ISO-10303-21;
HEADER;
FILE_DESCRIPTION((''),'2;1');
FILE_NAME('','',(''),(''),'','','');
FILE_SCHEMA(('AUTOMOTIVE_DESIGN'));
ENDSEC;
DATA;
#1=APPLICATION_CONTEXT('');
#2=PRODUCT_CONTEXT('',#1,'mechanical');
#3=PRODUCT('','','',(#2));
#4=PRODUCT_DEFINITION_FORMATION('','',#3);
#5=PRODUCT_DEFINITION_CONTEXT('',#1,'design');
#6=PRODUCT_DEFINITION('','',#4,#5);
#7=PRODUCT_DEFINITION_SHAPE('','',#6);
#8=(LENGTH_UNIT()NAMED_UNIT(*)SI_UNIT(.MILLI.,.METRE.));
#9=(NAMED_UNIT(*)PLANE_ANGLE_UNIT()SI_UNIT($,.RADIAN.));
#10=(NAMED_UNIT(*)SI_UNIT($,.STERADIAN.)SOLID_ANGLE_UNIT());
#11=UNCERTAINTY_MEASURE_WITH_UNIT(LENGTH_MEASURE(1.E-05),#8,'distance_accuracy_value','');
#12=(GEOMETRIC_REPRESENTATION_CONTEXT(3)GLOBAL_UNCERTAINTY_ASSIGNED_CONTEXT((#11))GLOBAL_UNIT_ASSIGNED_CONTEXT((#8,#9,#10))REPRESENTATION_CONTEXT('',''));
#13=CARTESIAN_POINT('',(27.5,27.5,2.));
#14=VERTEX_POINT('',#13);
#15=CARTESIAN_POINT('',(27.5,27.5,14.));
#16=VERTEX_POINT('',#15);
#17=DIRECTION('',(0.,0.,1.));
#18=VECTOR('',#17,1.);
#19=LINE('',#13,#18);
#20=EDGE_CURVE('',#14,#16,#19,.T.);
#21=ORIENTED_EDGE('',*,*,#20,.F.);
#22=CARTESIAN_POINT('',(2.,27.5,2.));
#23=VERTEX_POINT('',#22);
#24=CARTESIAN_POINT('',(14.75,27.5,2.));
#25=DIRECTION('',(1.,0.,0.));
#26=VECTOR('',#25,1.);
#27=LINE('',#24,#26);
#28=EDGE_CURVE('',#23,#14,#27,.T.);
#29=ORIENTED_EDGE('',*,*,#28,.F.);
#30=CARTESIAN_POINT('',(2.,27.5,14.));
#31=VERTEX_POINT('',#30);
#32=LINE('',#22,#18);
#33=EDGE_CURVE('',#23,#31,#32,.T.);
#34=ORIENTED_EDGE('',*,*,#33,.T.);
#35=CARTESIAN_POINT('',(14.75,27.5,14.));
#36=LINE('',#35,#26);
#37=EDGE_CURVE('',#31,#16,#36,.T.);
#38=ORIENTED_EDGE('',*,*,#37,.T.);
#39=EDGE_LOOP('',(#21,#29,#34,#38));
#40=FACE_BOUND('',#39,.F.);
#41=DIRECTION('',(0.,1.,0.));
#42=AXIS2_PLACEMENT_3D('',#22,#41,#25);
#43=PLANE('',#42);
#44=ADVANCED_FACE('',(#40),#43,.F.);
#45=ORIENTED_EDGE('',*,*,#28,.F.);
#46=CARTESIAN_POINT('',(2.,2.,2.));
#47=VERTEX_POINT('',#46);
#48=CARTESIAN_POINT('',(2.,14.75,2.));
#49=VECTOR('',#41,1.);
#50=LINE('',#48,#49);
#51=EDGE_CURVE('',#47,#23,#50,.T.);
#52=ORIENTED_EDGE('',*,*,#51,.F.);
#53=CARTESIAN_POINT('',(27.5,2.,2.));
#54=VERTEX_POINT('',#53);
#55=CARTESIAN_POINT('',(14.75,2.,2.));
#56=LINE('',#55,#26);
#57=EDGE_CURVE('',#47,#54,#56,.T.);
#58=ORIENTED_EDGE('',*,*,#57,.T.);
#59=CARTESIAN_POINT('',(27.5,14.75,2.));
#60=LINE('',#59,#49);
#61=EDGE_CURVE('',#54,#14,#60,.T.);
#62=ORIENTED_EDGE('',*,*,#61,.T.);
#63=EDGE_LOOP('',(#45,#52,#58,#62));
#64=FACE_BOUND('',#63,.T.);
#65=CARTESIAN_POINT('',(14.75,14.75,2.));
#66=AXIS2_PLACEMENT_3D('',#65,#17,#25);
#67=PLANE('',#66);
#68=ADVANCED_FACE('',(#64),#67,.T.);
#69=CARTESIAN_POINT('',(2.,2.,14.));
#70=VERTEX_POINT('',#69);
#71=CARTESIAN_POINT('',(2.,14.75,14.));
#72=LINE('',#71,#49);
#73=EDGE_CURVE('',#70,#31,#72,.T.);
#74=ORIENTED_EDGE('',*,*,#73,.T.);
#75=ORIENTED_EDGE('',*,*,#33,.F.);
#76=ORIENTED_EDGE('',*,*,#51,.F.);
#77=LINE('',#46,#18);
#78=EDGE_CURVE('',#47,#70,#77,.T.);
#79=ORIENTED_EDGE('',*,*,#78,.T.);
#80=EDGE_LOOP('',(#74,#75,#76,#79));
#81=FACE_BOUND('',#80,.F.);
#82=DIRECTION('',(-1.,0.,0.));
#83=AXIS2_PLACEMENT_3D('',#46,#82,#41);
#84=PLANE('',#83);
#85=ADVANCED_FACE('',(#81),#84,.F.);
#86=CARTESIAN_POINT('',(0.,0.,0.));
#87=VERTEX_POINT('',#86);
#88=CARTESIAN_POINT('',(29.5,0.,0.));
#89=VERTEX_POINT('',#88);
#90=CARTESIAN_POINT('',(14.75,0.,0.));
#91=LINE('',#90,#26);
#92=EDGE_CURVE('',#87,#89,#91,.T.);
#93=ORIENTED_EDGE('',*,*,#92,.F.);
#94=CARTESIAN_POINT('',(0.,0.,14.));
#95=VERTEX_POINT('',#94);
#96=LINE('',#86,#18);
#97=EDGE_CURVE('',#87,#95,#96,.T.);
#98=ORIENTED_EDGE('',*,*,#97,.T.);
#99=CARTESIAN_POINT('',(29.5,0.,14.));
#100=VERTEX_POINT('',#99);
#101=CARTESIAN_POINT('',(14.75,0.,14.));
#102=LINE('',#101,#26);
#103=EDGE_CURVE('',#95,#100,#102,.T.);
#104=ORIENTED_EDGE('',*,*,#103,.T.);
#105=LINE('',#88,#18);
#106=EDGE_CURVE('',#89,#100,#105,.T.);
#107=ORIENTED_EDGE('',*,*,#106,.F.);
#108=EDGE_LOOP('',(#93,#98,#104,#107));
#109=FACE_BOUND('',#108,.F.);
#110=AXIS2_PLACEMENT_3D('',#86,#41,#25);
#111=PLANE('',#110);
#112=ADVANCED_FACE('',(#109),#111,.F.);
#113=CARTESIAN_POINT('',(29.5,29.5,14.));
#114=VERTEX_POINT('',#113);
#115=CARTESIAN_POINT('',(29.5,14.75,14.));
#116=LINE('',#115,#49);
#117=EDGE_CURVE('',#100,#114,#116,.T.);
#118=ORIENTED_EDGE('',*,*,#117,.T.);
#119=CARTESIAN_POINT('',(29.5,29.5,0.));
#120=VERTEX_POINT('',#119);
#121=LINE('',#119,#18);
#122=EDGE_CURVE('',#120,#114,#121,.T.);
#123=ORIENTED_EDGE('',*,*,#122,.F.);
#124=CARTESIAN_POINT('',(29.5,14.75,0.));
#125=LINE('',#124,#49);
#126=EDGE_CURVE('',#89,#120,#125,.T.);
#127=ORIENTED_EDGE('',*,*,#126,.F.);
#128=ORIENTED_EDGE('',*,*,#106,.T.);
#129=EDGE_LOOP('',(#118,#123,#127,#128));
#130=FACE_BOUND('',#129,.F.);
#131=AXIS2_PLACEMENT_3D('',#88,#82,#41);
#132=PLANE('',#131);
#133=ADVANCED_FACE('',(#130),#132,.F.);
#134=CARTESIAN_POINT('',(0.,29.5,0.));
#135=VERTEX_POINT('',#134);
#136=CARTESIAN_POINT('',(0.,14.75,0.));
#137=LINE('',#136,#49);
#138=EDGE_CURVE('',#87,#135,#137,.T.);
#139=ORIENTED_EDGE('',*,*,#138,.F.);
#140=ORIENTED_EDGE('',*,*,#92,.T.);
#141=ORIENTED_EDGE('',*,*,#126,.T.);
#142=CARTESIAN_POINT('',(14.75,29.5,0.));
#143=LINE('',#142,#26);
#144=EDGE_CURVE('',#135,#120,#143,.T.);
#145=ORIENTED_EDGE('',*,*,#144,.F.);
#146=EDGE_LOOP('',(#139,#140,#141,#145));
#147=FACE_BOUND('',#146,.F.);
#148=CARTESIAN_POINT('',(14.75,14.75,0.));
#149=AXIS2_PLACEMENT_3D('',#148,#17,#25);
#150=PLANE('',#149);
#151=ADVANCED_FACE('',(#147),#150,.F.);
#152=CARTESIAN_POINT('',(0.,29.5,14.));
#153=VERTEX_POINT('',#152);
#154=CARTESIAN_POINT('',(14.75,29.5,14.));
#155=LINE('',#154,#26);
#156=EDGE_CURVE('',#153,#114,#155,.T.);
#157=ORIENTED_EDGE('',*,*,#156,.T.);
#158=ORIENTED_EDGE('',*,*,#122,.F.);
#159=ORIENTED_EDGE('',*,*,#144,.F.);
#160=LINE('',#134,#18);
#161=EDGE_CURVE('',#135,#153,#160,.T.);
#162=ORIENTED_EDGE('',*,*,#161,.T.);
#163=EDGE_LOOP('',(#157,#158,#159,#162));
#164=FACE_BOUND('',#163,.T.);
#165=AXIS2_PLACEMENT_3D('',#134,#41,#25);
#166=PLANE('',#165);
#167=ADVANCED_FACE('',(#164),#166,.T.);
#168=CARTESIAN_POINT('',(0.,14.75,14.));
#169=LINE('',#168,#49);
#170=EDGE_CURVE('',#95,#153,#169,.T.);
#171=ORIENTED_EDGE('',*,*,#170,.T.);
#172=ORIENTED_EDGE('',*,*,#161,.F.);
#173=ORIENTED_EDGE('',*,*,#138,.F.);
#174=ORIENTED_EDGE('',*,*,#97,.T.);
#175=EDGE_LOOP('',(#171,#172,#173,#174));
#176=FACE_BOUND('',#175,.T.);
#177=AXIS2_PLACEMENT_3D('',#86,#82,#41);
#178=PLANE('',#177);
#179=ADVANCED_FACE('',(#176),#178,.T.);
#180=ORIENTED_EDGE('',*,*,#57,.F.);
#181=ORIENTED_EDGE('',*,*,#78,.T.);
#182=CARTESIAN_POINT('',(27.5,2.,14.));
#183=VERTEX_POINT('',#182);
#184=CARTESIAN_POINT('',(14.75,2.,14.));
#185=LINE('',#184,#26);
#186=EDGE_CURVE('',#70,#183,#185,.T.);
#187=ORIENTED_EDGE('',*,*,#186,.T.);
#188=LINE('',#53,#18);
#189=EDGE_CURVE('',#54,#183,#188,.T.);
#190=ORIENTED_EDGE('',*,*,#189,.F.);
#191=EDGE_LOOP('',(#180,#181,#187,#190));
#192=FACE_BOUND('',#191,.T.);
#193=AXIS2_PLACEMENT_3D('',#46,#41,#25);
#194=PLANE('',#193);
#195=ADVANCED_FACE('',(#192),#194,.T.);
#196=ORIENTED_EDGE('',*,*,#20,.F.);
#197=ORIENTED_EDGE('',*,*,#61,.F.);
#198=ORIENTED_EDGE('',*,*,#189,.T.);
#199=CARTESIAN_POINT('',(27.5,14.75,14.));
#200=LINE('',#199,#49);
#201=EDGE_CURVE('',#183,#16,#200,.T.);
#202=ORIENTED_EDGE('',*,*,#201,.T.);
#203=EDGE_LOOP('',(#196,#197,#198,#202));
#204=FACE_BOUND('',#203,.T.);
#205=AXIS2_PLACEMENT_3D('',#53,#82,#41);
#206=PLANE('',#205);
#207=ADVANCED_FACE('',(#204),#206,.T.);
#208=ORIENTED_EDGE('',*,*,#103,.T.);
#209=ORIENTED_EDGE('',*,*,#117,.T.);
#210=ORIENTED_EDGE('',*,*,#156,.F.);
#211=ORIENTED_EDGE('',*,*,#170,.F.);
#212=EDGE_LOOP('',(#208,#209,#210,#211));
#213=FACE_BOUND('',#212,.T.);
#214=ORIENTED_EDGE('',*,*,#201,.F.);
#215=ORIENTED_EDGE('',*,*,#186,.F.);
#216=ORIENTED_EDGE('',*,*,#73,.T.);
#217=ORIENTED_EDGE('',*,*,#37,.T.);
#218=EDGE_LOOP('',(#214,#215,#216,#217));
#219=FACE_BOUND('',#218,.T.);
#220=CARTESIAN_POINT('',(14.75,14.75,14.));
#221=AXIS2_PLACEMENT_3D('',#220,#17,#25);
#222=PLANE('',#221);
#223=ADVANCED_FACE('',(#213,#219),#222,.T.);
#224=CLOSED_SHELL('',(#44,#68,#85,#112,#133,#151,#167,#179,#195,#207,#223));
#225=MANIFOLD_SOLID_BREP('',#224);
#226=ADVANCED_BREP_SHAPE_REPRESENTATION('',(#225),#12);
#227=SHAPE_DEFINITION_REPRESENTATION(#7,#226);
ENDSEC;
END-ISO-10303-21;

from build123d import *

# Parameters (mm, degrees)
BOX001_W     = 25.5
BOX001_H     = 25.5
BOX001_DEPTH = 12
BOX_W        = 29.5
BOX_H        = 29.5
BOX_DEPTH    = 14


with BuildPart() as cube001:
    # Box001 → Box001 (new body)
    with BuildSketch(Plane(origin=(2, 2, 2), x_dir=(1, 0, 0), z_dir=(0, 0, 1))):
        with Locations((12.75, 12.75)):
            Rectangle(BOX001_W, BOX001_H)
    extrude(amount=BOX001_DEPTH)


with BuildPart() as cut:
    # Box → Box (new body)
    with BuildSketch(Plane.XY):
        with Locations((14.75, 14.75)):
            Rectangle(BOX_W, BOX_H)
    extrude(amount=BOX_DEPTH)

    # Cut: cut Cube001
    add(cube001.part, mode=Mode.SUBTRACT)


solid = cut.part
